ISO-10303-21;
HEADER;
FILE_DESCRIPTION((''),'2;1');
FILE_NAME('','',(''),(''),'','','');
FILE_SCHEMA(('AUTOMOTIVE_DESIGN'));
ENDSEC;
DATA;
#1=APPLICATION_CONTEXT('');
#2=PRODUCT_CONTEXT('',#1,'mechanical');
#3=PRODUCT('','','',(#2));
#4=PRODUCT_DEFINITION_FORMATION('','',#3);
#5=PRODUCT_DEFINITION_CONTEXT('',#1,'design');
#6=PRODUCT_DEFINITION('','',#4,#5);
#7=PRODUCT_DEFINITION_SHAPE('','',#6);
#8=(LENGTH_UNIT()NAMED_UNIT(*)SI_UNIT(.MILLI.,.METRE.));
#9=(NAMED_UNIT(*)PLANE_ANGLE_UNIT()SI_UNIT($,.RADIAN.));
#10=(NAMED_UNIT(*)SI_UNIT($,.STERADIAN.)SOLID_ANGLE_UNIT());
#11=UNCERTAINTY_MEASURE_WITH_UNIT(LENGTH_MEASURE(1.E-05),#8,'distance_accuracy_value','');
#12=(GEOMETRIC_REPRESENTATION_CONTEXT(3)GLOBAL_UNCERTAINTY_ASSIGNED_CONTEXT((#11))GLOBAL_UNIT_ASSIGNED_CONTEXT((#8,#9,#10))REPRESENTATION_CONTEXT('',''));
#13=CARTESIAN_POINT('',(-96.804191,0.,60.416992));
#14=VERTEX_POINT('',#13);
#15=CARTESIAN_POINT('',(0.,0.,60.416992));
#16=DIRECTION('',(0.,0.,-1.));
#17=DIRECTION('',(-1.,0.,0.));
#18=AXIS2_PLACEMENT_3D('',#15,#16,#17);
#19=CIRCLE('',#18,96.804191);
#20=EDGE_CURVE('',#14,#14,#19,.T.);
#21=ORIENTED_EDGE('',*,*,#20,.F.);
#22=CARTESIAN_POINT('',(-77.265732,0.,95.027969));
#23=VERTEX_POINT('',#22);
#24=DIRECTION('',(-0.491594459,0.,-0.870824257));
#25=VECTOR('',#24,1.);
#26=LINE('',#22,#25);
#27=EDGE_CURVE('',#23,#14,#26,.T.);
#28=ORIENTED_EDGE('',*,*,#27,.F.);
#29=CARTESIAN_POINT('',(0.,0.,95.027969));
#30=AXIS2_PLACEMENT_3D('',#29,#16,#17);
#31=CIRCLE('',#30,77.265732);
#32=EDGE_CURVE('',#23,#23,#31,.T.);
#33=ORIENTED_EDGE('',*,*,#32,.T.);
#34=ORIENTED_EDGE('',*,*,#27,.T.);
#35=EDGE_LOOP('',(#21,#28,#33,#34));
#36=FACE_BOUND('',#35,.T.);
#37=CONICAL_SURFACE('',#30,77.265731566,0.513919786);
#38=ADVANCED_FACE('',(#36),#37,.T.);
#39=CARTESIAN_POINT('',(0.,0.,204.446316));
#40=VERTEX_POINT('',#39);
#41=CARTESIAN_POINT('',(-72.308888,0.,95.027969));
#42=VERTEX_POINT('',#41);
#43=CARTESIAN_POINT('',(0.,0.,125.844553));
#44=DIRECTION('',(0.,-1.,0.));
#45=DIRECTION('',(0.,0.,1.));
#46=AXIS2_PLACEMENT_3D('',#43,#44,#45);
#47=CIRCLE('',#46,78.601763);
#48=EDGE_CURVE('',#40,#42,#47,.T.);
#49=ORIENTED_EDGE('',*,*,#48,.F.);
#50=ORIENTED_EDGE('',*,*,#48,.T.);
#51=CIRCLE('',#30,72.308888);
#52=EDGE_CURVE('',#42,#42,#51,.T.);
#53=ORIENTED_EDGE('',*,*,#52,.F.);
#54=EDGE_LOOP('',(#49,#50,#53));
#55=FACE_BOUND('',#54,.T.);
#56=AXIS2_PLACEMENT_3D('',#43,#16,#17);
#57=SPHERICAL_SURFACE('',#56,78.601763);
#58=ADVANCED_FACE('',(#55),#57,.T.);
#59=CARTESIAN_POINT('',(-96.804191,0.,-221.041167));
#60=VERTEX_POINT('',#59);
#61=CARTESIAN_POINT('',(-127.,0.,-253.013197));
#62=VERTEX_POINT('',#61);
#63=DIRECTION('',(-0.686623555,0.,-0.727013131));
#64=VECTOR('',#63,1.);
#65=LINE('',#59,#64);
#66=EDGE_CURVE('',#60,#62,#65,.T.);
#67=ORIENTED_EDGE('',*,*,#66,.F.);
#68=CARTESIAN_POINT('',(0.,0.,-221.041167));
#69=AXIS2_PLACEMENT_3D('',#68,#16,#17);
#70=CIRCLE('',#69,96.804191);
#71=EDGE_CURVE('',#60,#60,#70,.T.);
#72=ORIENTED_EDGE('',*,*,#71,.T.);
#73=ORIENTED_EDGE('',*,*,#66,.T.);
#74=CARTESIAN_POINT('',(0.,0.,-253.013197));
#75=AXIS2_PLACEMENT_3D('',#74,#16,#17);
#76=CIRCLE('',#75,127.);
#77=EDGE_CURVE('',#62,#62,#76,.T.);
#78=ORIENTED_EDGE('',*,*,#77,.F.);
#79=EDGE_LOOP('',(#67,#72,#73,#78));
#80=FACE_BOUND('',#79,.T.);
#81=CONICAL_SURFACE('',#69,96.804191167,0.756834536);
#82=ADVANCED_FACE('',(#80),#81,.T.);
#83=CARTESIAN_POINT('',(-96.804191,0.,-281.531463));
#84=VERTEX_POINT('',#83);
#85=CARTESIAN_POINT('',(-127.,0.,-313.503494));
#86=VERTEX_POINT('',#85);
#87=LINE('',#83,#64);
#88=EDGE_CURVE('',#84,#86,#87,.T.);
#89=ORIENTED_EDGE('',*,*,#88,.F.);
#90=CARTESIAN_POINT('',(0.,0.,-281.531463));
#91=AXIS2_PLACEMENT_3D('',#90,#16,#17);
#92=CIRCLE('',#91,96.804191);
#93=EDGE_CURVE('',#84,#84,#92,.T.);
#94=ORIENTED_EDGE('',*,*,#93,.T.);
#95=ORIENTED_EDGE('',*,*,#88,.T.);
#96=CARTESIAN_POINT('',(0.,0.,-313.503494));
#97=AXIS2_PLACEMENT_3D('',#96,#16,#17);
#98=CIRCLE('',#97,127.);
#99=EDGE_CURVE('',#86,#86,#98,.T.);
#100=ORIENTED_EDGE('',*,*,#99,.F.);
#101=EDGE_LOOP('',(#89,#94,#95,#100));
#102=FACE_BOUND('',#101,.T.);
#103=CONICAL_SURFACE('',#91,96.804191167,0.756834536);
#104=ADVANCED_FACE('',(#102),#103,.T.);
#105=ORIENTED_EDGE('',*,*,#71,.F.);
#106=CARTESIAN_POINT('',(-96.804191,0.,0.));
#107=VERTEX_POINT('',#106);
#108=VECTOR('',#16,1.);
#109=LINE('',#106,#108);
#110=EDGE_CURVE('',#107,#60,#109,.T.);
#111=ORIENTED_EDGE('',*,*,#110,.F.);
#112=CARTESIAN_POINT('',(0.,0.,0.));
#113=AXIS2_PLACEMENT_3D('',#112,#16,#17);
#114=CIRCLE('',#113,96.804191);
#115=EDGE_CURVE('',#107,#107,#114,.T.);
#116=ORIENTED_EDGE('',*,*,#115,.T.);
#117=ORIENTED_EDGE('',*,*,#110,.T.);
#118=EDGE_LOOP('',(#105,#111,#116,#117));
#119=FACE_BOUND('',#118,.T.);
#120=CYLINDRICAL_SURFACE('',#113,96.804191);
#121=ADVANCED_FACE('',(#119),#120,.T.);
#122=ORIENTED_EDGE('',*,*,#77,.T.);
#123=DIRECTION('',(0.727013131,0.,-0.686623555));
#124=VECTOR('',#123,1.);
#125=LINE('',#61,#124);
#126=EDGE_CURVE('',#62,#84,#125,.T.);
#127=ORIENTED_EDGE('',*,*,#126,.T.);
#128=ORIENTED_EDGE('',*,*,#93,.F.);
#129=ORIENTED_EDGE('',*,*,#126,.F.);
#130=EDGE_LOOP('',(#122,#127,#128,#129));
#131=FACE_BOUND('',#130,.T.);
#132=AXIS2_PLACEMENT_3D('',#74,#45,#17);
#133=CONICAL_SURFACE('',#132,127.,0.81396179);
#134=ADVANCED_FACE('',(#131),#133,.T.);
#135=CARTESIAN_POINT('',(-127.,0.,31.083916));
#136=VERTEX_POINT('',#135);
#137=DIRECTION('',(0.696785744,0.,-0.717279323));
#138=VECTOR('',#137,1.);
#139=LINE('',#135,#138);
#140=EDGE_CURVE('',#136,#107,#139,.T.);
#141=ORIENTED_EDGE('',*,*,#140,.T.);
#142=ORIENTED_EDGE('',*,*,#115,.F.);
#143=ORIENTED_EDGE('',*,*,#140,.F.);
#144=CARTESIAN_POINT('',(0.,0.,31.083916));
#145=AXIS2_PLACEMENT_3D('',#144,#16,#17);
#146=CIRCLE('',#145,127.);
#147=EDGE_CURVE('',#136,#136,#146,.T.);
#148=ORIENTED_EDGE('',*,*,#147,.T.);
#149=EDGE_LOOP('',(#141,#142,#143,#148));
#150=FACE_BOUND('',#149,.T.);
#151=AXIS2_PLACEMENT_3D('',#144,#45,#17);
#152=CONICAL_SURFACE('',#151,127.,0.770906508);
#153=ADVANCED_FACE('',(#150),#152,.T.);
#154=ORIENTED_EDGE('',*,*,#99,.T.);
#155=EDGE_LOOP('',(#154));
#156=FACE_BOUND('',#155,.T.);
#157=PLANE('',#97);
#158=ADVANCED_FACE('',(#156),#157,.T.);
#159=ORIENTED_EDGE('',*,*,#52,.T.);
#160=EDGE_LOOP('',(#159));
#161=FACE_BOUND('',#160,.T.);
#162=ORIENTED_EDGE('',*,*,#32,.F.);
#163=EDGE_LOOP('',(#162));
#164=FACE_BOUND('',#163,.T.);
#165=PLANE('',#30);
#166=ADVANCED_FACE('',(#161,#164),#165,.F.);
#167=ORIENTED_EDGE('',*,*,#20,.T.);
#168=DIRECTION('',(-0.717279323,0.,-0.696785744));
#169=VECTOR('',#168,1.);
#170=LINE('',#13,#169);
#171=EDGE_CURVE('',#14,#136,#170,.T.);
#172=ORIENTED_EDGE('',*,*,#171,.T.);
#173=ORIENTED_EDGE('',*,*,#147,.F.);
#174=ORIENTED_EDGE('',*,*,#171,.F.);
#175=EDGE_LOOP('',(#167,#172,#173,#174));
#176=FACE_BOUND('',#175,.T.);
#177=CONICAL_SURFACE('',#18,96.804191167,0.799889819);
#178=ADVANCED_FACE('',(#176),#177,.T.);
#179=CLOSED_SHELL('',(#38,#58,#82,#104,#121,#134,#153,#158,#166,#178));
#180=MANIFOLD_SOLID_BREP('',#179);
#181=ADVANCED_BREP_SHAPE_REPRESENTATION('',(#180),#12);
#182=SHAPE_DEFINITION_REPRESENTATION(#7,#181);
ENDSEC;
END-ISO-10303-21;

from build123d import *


with BuildPart() as f1:
    # F0 (on Front) → F1 (revolve)
    with BuildSketch(Plane.XZ):
        with BuildLine():
            Line((-127, -313.5034940381), (0, -313.5034940381))
            Line((0, -313.5034940381), (0, 47.2427905894))
            ThreePointArc((0, 47.2427905894), (-43.33589305, 60.2683573909), (-72.3088875669, 95.0279690929))
            Line((-72.3088875669, 95.0279690929), (-77.2657315655, 95.0279690929))
            Line((-77.2657315655, 95.0279690929), (-96.8041911668, 60.4169920036))
            Line((-96.8041911668, 60.4169920036), (-127, 31.083915673))
            Line((-127, 31.083915673), (-96.8041911668, 0))
            Line((-96.8041911668, 0), (-96.8041911668, -221.0411665642))
            Line((-96.8041911668, -221.0411665642), (-127, -253.0131974713))
            Line((-127, -253.0131974713), (-96.8041911668, -281.531463131))
            Line((-96.8041911668, -281.531463131), (-127, -313.5034940381))
        make_face()
        with BuildLine():
            ThreePointArc((-72.3088875669, 95.0279690929), (-43.33589305, 60.2683573909), (0, 47.2427905894))
            Line((0, 47.2427905894), (0, 204.4463156366))
            ThreePointArc((0, 204.4463156366), (-65.5761957221, 169.180446163), (-72.3088875669, 95.0279690929))
        make_face()
    revolve(axis=Axis((0, 0, 67.4965227503), (0, 0, -1)))


solid = f1.part
